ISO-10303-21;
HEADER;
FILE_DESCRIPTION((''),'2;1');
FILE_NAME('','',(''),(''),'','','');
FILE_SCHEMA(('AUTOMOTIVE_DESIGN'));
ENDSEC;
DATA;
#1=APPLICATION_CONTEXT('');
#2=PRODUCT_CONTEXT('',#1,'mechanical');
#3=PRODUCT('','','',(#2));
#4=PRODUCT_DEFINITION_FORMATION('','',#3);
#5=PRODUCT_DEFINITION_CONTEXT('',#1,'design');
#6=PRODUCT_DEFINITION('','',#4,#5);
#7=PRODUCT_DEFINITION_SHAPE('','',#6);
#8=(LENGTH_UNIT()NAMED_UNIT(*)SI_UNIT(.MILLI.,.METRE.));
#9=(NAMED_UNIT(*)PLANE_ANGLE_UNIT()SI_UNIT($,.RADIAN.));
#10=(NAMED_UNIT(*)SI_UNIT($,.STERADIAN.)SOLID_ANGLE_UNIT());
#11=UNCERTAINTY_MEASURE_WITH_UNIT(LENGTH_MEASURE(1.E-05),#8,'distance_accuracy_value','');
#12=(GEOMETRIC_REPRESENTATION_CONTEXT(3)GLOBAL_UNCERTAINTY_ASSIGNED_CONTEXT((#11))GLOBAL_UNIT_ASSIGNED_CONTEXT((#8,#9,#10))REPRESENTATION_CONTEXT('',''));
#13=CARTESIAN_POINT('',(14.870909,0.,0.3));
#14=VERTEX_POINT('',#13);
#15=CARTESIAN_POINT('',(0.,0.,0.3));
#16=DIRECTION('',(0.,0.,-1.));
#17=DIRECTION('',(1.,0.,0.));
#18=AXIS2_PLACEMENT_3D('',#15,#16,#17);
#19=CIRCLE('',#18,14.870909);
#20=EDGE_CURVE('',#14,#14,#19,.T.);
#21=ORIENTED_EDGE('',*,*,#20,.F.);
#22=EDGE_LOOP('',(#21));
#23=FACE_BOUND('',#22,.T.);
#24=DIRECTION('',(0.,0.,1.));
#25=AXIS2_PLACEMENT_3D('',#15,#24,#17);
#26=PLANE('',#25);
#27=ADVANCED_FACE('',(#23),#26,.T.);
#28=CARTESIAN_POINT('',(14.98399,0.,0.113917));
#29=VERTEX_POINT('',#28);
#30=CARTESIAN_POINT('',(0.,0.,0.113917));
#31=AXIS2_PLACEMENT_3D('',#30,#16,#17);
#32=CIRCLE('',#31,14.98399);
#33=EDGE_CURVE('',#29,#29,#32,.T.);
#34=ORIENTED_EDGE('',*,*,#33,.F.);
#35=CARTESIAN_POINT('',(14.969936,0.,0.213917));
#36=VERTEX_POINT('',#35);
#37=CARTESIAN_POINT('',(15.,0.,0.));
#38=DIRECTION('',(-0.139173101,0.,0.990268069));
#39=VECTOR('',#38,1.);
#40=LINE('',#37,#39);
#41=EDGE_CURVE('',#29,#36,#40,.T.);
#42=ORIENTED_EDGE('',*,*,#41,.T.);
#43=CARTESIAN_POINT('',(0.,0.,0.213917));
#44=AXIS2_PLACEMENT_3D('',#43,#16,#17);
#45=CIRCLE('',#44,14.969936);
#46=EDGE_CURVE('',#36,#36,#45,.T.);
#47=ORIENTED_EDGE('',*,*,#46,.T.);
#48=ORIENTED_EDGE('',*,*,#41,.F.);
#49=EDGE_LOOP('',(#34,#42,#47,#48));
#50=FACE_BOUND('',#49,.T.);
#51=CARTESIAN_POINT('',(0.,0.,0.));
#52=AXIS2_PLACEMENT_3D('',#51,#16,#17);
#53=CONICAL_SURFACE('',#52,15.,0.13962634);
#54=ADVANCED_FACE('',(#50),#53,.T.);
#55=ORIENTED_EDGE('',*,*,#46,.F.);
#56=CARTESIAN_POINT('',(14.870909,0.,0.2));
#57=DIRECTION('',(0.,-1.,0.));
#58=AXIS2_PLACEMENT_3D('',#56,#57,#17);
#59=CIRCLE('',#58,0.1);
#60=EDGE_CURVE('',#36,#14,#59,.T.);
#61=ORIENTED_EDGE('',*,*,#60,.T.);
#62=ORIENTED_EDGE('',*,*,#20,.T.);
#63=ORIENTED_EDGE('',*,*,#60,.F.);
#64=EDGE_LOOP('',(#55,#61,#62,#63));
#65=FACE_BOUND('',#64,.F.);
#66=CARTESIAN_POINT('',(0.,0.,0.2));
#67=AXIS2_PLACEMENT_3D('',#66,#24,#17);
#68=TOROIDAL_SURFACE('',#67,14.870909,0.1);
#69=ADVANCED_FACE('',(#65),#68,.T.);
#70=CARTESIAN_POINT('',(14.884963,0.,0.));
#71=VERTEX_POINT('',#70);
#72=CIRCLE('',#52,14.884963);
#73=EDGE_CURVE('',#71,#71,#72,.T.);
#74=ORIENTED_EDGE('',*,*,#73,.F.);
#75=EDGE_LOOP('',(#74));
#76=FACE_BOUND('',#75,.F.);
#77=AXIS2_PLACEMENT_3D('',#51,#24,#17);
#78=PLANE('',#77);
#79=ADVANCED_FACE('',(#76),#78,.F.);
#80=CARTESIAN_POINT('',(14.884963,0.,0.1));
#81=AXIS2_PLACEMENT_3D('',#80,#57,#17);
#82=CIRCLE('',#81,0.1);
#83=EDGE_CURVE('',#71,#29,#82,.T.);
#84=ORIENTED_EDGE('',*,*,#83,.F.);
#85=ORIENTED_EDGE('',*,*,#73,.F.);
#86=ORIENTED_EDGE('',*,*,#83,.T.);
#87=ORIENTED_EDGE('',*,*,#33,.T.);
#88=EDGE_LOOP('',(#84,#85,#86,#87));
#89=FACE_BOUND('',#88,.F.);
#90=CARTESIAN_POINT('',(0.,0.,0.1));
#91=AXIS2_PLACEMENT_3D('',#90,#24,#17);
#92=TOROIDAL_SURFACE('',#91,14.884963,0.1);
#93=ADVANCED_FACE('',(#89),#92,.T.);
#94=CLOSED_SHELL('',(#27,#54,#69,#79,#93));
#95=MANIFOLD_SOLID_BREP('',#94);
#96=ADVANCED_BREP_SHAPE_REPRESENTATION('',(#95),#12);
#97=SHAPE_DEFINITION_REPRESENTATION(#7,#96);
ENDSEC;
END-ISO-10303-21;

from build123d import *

# Parameters (mm, degrees)
F0_R     = 15
F1_DEPTH = 0.3
F1_TAPER = 8
F2_R     = 0.1


with BuildPart() as f1:
    # F0 (on Top) → F1 (new body)
    with BuildSketch(Plane.XY):
        Circle(F0_R)
    extrude(amount=F1_DEPTH, taper=F1_TAPER)

    # F2
    f2_edges = [f1.edges().sort_by_distance(p)[0] for p in [
        (-14.957838, 0, 0.3),
        (-15, 0, 0),
    ]]
    fillet(f2_edges, radius=F2_R)


solid = f1.part
